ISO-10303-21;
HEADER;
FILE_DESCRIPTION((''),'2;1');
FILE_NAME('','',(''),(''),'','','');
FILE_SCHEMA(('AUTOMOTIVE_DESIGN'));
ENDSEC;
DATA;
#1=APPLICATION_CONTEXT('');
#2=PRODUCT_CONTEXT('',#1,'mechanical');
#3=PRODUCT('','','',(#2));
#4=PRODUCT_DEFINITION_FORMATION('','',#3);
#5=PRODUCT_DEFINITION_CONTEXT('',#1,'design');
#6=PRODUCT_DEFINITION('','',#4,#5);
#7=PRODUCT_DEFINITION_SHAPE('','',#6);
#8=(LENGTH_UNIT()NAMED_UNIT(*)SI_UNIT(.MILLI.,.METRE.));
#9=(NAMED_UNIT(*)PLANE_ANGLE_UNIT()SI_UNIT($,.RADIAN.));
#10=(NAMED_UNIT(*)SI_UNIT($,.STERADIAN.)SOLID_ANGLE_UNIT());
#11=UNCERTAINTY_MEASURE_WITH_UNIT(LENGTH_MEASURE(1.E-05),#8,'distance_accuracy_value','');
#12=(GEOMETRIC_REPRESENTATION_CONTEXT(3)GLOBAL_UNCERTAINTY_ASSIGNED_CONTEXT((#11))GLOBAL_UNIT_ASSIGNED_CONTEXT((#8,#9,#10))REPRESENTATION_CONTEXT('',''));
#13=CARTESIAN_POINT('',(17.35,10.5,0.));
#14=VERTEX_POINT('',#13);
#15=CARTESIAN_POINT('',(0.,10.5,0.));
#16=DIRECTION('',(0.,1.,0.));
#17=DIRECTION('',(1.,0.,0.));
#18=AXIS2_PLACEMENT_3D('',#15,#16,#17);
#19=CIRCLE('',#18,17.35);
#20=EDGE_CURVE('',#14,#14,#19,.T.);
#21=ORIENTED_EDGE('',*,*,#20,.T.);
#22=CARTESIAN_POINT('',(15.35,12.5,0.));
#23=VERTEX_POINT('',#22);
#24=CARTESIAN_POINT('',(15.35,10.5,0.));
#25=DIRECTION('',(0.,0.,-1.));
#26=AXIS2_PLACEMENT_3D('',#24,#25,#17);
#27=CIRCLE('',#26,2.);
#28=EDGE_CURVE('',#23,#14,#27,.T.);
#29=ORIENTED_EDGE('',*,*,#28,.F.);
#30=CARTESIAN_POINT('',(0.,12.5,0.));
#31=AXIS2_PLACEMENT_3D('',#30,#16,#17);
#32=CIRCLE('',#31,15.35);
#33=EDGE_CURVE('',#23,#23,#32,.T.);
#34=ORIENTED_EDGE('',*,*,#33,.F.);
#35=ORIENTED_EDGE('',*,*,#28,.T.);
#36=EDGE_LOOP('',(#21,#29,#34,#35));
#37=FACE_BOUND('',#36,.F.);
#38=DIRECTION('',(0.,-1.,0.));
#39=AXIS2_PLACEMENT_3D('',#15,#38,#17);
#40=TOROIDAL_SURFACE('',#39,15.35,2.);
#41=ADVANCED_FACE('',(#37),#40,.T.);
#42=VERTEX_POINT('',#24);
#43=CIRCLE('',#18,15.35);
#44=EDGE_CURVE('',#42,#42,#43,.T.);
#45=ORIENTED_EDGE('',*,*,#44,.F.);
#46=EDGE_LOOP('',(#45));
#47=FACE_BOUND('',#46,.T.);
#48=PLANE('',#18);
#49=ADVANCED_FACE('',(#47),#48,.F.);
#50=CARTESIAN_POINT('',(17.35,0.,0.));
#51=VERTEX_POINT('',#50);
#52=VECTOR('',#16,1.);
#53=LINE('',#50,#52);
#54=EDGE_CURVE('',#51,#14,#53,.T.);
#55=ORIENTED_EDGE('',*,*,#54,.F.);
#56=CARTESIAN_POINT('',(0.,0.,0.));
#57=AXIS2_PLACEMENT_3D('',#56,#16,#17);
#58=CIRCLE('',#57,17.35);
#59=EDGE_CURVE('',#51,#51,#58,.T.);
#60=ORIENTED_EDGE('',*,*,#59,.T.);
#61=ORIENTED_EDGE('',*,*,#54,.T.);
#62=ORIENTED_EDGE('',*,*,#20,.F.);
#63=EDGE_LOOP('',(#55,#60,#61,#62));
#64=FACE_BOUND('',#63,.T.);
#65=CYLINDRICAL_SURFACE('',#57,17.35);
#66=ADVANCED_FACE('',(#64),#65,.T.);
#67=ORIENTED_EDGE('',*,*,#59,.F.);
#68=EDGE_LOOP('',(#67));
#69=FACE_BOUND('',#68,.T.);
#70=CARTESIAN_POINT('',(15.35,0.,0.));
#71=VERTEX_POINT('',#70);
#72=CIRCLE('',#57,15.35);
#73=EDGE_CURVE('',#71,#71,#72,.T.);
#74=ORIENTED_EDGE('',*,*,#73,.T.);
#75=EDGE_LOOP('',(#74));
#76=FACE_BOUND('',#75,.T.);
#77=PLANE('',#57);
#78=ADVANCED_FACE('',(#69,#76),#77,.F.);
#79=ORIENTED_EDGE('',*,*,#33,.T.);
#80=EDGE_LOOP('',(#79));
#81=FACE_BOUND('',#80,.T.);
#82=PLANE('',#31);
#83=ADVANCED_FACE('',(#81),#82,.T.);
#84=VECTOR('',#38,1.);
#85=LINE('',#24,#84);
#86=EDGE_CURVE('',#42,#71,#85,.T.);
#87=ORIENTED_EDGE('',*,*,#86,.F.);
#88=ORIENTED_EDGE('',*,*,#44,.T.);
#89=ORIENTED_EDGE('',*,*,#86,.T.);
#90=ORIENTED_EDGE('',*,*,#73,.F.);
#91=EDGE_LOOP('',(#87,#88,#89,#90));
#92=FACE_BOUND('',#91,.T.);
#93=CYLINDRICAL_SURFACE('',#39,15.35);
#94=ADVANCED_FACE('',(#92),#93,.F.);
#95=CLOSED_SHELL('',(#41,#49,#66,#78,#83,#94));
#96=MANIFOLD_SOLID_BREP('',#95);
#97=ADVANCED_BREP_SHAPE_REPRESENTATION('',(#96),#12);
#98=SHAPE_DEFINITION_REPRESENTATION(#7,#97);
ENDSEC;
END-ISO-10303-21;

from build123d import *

# Parameters (mm, degrees)
F2_R = 2


with BuildPart() as f1:
    # F0 (on Top) → F1 (revolve)
    with BuildSketch(Plane.XY):
        Polygon((17.35, 12.5), (0, 12.5), (0, 10.5), (15.35, 10.5), (15.35, 0), (17.35, 0), align=None)
    revolve(axis=Axis((0, 6.25, 0), (0, 1, 0)))

    # F2
    f2_edges = [f1.edges().sort_by_distance(p)[0] for p in [
        (-17.35, 12.5, 0),
    ]]
    fillet(f2_edges, radius=F2_R)


solid = f1.part
